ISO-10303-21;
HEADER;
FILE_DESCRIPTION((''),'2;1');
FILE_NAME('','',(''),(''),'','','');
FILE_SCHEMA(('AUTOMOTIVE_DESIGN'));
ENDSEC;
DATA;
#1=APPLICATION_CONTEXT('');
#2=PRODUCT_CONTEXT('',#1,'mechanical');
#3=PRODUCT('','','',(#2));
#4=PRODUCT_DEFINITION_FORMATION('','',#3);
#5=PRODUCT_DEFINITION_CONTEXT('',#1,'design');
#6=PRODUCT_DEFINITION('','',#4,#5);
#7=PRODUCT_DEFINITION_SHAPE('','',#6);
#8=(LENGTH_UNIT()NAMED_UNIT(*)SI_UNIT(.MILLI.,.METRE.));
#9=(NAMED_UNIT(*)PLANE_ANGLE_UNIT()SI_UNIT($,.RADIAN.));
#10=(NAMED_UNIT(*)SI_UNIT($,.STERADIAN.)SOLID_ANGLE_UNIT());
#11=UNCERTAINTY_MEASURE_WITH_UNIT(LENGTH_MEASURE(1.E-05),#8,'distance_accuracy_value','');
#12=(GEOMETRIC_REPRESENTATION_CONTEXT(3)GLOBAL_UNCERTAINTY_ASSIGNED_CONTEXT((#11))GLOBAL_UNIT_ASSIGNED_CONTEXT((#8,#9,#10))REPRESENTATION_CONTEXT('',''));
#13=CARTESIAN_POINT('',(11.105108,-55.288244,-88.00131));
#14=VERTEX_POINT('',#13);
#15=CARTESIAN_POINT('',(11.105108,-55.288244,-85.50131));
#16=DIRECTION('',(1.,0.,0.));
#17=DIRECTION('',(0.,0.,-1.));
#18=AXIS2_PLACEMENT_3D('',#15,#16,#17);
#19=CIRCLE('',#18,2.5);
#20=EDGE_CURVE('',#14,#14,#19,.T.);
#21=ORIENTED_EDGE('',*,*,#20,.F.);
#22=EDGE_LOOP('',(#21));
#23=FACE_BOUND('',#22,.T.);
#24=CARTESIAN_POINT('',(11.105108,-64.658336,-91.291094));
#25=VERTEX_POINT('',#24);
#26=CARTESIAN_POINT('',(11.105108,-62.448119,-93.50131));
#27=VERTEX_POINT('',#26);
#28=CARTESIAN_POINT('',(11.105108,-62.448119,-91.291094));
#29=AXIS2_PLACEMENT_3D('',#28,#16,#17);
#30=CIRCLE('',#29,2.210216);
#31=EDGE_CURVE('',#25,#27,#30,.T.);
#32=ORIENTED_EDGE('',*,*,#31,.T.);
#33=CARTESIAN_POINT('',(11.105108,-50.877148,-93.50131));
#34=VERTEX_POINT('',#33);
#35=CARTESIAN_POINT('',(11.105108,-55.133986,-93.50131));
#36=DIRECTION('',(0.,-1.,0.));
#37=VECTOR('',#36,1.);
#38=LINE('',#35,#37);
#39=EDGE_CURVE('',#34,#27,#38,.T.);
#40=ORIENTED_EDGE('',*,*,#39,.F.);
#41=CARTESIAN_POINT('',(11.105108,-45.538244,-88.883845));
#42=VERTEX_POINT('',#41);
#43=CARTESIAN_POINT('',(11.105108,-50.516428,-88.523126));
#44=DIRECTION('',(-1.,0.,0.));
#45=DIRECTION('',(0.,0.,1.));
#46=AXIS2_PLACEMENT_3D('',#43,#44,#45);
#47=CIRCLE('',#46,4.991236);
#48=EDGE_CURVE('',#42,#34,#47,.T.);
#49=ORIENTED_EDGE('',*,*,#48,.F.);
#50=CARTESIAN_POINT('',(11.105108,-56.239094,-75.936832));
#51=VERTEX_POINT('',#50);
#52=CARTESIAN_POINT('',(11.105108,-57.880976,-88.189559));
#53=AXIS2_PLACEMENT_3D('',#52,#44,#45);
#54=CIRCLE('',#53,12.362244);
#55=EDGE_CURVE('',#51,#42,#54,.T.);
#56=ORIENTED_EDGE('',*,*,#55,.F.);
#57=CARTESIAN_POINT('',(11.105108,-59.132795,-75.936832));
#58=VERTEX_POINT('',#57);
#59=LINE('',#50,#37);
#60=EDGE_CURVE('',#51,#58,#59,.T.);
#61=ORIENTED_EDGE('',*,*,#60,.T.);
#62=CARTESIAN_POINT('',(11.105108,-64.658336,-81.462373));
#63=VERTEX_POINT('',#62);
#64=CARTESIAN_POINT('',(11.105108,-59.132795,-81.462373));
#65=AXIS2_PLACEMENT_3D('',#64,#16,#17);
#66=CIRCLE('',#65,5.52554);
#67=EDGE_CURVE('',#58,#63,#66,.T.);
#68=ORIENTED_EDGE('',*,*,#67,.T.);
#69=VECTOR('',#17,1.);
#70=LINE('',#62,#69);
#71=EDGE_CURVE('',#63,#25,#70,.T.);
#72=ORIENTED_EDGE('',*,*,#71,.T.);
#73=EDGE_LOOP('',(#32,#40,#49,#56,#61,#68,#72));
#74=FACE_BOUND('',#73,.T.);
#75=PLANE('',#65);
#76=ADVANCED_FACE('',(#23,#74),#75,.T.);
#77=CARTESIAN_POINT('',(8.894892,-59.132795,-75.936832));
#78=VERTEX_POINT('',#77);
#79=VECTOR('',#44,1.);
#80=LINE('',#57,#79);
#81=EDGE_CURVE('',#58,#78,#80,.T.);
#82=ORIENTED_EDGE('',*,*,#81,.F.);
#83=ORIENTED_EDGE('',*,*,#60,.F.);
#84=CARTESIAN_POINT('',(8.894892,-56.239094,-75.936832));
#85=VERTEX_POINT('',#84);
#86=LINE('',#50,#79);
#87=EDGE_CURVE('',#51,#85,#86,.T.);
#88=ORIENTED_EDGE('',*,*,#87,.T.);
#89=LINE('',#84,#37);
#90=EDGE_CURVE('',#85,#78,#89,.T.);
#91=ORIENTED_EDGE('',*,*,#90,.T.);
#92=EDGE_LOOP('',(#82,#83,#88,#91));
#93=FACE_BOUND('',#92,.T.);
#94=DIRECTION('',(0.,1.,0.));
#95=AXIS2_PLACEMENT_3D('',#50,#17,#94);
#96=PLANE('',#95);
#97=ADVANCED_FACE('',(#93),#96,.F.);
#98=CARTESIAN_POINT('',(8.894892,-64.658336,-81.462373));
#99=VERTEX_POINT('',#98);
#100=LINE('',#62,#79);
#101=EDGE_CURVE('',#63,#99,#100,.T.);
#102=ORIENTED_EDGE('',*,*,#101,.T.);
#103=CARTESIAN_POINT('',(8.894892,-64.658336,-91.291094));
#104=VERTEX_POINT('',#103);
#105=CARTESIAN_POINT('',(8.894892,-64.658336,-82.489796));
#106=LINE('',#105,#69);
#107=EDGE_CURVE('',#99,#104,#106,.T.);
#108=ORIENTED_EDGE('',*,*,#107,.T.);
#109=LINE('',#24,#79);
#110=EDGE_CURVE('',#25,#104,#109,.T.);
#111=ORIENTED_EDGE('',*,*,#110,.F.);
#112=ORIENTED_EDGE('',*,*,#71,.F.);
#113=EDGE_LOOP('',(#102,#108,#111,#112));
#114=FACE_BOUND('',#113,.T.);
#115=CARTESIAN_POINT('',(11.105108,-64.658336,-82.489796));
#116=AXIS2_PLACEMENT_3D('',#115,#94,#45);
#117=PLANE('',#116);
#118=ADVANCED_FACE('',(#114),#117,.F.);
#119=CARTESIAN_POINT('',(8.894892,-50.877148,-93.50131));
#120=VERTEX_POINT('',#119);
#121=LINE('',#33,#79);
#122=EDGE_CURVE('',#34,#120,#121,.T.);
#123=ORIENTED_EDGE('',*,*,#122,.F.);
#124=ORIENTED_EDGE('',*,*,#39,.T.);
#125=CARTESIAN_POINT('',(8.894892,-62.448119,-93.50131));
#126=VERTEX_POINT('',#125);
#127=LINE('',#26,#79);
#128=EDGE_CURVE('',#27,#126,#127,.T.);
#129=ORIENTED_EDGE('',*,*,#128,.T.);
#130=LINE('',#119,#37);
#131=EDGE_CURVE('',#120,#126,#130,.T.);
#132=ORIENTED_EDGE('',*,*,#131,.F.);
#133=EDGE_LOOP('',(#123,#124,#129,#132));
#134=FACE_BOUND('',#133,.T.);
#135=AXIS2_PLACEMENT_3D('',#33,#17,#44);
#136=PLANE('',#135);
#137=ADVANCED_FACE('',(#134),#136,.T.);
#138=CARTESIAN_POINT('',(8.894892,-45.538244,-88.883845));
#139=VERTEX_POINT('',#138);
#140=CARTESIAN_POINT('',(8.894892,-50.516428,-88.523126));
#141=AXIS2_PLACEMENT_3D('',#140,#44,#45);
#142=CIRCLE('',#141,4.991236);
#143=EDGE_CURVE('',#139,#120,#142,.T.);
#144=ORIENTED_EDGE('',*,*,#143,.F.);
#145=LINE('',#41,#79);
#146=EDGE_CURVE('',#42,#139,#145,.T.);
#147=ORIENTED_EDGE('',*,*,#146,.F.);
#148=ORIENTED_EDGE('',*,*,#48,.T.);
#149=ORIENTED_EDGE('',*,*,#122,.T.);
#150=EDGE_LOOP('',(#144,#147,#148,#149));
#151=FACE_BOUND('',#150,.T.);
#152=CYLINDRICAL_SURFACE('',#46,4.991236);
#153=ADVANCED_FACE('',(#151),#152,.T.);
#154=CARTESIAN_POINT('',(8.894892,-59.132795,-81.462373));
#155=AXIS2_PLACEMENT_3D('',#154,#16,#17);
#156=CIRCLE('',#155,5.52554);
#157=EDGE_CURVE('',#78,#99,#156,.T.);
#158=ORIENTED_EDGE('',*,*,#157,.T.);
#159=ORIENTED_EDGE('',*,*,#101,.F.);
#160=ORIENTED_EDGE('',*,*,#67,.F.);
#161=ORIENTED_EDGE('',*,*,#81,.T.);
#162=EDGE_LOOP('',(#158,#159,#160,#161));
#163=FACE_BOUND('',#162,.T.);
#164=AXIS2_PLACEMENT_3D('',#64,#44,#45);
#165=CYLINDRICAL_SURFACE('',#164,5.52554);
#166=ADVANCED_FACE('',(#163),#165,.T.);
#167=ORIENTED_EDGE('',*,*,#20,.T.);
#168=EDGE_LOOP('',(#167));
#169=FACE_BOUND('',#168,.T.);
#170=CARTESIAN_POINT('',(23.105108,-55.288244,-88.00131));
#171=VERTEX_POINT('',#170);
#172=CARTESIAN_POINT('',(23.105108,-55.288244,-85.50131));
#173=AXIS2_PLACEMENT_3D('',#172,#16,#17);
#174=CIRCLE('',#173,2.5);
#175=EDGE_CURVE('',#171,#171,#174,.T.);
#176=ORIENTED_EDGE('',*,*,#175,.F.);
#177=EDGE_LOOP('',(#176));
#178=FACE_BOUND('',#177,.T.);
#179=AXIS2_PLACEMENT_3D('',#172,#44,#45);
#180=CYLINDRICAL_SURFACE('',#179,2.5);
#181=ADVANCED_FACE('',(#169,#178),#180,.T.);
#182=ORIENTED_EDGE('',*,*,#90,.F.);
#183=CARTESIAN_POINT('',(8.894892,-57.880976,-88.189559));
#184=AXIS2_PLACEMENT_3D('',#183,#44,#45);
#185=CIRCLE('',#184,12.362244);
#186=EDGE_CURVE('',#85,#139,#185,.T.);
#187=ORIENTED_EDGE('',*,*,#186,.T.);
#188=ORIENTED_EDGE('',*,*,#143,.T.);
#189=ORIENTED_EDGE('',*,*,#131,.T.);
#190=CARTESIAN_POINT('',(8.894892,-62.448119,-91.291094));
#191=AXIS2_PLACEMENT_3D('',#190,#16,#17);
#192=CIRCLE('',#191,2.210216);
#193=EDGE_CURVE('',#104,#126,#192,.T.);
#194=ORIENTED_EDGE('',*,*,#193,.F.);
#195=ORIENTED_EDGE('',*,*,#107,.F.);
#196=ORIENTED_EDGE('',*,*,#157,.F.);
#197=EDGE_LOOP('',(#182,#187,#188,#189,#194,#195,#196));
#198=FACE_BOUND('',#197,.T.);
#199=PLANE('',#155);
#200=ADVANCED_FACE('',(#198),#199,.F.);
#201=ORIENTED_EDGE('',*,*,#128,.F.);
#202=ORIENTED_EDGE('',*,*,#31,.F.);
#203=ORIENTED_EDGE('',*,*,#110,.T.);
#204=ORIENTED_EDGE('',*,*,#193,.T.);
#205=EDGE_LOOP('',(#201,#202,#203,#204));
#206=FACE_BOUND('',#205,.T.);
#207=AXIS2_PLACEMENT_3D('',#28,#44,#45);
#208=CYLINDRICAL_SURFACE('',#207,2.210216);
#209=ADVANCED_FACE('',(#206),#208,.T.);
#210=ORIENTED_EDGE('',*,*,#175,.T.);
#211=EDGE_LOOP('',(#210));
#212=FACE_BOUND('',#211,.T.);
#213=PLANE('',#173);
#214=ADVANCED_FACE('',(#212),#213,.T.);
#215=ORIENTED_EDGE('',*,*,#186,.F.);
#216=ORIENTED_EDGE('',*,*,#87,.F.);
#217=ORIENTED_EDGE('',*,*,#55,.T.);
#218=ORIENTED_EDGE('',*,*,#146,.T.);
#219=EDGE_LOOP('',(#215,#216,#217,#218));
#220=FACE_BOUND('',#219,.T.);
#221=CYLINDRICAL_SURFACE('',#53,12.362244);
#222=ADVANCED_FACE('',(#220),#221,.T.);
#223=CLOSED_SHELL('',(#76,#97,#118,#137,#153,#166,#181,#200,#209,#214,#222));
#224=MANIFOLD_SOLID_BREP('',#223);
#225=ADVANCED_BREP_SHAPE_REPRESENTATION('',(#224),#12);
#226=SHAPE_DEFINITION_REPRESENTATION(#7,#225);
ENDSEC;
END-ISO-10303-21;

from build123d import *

# Parameters (mm, degrees)
BOSS_EXTRUDE1_DEPTH = 20
SCALE1_SCALE        = 0.110510806
SKETCH4_R           = 2.5
BOSS_EXTRUDE2_DEPTH = 12


with BuildPart() as part:
    # Sketch3 → Boss-Extrude1 (new body)
    with BuildSketch(Plane(origin=(0, 0, 0), x_dir=(0, 0, -1), z_dir=(1, 0, 0))):
        with BuildLine():
            Line((0, -60), (0, -86.184781703))
            ThreePointArc((0, -86.184781703), (14.644660941, -121.540120762), (50, -136.184781703))
            Line((50, -136.184781703), (59.297038535, -136.184781703))
            Line((59.297038535, -136.184781703), (138.939006392, -136.184781703))
            ThreePointArc((138.939006392, -136.184781703), (153.081142016, -130.326917326), (158.939006392, -116.184781703))
            Line((158.939006392, -116.184781703), (158.939006392, -50))
            Line((158.939006392, -50), (158.939006392, -11.480346054))
            ThreePointArc((158.939006392, -11.480346054), (148.053108697, 21.328755123), (117.156078712, 36.830801017))
            ThreePointArc((117.156078712, 36.830801017), (39.60735059, 11.368133348), (0, -60))
        make_face()
    extrude(amount=BOSS_EXTRUDE1_DEPTH)


with BuildPart() as part_1:
    # Scale1: scaled about (10, -55.771836123, -85.371281571)
    add(part.part.scale(SCALE1_SCALE).moved(Location((8.89489194, -49.608445561, -75.936832435))))

    # Sketch4 → Boss-Extrude2 (add)
    with BuildSketch(Plane(origin=(11.10510806, 0, 0), x_dir=(0, 0, -1), z_dir=(1, 0, 0))):
        with Locations((85.501310137, -55.288244055)):
            Circle(SKETCH4_R)
    extrude(amount=BOSS_EXTRUDE2_DEPTH)


solid = part_1.part
